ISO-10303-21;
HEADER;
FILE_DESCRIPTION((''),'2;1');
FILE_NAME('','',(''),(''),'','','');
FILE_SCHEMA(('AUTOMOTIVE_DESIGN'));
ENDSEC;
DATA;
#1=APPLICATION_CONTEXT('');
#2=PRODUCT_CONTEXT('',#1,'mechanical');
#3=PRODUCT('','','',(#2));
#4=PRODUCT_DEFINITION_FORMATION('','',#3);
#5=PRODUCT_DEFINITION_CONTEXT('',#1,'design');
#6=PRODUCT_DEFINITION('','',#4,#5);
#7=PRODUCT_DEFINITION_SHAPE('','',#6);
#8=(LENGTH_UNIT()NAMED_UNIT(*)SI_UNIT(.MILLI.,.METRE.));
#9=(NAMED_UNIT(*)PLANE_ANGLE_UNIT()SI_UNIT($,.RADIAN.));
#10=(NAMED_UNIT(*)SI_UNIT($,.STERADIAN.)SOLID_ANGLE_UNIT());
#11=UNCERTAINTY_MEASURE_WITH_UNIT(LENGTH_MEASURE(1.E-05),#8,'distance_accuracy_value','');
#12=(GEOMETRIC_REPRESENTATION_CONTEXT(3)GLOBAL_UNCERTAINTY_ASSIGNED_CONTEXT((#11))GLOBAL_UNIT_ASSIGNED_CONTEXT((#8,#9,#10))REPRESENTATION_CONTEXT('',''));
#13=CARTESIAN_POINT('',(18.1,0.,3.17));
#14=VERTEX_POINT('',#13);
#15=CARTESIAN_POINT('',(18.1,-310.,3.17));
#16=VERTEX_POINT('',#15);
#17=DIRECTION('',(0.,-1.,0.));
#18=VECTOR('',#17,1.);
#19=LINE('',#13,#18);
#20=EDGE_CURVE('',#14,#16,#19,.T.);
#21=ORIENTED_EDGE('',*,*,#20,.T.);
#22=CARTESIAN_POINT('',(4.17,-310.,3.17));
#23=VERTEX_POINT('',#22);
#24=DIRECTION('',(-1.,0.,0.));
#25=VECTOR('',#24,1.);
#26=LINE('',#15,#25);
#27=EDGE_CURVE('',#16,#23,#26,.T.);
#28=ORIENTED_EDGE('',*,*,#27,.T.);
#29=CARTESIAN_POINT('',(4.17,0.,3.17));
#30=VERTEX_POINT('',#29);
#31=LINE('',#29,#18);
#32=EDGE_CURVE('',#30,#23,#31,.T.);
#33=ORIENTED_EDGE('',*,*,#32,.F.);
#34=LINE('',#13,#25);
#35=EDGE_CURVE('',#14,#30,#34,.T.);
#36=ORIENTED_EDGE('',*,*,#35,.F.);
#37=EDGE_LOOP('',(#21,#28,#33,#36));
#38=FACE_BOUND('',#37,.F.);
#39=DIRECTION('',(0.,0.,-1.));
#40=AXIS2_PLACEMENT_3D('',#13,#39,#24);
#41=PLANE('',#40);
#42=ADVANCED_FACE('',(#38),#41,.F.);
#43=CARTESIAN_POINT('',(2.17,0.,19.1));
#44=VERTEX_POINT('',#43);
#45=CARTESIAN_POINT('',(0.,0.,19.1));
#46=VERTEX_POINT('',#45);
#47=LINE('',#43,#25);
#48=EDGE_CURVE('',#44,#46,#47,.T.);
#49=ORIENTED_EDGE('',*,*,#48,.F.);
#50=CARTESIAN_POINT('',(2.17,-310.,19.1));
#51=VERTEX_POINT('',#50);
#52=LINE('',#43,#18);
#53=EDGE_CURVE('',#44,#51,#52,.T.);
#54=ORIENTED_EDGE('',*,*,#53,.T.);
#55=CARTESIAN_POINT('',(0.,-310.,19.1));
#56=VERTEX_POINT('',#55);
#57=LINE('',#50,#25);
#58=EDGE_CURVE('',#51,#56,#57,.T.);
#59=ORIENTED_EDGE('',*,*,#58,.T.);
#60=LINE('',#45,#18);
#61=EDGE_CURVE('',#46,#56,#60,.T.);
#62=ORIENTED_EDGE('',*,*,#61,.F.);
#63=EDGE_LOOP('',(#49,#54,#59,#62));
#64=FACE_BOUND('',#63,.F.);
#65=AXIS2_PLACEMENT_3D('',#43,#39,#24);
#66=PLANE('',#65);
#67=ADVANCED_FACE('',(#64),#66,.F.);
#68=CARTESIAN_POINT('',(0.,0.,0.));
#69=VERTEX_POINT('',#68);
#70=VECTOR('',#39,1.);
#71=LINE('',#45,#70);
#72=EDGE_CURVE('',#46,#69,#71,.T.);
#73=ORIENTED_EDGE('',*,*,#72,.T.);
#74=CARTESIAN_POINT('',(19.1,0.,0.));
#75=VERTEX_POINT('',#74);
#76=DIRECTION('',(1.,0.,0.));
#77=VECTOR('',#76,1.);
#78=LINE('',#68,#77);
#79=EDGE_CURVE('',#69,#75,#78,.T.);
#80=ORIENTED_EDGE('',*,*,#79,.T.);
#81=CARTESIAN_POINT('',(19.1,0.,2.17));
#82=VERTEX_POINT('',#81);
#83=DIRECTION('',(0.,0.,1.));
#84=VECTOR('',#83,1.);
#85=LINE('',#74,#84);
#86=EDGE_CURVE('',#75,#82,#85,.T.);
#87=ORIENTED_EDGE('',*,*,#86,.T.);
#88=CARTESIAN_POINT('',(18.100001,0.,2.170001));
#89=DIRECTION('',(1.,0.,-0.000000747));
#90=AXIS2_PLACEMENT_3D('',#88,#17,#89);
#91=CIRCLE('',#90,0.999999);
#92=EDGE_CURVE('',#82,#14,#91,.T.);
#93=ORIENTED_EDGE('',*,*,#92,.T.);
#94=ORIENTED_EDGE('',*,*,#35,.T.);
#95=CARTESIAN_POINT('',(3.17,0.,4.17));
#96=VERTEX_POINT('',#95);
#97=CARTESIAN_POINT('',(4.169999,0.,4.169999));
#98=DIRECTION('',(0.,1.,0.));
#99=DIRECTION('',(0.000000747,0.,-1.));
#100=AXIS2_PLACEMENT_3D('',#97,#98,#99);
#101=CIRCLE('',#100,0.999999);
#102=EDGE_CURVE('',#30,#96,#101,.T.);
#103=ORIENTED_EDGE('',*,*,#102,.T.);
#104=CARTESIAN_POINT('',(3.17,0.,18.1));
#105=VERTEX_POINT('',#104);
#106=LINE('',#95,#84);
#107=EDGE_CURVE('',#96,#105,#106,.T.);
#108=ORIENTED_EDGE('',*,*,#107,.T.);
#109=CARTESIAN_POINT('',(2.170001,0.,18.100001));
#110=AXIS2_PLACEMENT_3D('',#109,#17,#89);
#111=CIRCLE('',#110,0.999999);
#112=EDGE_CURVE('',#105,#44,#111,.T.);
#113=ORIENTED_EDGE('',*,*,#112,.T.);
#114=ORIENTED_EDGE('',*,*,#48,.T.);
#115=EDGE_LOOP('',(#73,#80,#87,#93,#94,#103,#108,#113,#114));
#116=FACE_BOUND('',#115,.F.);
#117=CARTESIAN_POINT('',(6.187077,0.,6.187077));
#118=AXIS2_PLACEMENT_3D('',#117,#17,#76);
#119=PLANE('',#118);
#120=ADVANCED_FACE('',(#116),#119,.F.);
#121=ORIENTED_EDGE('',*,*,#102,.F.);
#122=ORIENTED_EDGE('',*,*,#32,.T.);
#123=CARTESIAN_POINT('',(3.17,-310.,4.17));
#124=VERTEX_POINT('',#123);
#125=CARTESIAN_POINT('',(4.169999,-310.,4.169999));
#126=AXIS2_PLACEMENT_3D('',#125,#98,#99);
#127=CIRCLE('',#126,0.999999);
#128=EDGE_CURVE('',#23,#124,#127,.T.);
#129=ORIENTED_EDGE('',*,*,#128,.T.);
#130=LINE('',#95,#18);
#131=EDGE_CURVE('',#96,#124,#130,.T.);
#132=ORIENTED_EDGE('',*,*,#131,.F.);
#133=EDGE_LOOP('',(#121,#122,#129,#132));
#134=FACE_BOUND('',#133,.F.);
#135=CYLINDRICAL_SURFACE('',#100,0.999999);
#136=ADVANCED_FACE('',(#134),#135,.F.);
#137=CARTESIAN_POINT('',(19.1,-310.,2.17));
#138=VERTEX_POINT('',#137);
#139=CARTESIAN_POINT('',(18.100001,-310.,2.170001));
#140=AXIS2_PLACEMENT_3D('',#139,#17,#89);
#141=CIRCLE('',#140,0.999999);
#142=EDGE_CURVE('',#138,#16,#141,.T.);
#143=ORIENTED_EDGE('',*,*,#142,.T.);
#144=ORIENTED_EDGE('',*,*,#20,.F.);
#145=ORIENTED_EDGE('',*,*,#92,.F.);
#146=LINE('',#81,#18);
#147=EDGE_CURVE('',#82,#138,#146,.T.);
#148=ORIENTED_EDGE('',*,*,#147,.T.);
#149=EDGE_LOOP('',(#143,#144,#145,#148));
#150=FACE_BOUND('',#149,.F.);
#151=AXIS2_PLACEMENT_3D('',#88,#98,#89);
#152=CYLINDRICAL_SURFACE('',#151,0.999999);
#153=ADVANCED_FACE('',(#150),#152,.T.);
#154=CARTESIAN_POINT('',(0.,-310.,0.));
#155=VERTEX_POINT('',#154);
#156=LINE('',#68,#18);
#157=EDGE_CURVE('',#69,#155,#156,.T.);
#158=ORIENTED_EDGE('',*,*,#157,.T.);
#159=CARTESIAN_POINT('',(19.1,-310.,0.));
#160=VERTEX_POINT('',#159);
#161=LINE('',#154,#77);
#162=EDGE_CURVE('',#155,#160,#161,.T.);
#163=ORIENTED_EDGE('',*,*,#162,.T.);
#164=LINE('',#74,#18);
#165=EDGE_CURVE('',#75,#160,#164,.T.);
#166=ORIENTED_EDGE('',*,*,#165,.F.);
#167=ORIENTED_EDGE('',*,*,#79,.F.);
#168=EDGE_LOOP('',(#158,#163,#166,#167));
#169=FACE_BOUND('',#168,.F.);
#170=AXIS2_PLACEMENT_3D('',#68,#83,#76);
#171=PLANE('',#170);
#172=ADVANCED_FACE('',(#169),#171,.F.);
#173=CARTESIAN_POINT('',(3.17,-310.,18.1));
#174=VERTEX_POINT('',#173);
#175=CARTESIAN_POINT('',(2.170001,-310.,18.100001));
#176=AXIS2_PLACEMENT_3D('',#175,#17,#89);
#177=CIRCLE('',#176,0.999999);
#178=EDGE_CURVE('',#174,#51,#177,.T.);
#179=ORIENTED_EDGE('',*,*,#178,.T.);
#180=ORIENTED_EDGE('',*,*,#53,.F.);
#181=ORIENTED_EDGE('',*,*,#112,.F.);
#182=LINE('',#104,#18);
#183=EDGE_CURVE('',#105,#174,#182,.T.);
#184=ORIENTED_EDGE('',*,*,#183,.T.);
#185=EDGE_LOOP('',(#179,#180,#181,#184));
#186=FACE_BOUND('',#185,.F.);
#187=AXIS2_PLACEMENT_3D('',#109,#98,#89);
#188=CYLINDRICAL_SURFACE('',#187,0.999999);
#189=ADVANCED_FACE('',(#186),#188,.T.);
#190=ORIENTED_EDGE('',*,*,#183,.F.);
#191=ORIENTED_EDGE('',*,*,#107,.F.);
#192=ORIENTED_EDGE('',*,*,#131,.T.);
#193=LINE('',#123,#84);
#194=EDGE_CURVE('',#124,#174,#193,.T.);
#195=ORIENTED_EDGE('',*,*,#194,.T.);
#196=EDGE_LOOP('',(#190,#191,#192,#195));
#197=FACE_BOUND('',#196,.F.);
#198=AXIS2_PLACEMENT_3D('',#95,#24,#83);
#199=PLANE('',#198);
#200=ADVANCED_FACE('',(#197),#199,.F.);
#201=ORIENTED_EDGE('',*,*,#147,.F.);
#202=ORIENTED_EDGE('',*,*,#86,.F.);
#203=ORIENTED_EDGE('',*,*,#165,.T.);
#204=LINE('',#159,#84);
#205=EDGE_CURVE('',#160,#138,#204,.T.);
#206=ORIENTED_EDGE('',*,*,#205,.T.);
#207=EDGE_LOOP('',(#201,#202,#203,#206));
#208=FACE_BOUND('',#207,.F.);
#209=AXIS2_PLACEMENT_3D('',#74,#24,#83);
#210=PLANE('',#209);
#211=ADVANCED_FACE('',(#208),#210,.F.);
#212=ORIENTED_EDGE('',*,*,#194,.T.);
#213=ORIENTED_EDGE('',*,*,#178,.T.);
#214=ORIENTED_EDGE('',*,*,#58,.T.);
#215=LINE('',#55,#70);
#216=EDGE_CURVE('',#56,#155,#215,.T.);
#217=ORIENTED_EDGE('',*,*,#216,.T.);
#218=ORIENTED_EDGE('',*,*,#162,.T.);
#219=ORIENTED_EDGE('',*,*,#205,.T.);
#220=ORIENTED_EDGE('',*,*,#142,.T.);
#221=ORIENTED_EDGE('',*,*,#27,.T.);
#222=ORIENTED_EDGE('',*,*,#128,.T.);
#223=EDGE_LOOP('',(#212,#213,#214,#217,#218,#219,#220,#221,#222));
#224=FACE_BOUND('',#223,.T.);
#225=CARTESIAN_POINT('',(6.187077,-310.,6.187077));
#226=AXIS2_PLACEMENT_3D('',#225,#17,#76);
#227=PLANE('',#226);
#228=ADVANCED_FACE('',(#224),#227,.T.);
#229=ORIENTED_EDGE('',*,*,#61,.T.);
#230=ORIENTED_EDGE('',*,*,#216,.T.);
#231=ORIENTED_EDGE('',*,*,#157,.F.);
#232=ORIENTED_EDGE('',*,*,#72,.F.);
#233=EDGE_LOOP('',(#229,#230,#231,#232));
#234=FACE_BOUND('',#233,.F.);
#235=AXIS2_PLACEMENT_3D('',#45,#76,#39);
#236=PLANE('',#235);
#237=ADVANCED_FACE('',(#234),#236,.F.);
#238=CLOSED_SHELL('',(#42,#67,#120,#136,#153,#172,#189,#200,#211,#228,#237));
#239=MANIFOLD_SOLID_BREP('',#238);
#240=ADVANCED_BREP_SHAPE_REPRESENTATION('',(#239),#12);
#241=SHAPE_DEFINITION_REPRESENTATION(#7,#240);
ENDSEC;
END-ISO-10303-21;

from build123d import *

# Parameters (mm, degrees)
F1_DEPTH = 310


with BuildPart() as f1:
    # F0 (on Front) → F1 (new body)
    with BuildSketch(Plane.XZ):
        with BuildLine():
            Line((2.17, 19.1), (0, 19.1))
            Line((0, 19.1), (0, 0))
            Line((0, 0), (19.1, 0))
            Line((19.1, 0), (19.1, 2.17))
            ThreePointArc((19.1, 2.17), (18.807107, 2.877107), (18.1, 3.17))
            Line((18.1, 3.17), (4.17, 3.17))
            ThreePointArc((4.17, 3.17), (3.462893, 3.462893), (3.17, 4.17))
            Line((3.17, 4.17), (3.17, 18.1))
            ThreePointArc((3.17, 18.1), (2.877107, 18.807107), (2.17, 19.1))
        make_face()
    extrude(amount=F1_DEPTH)


solid = f1.part
